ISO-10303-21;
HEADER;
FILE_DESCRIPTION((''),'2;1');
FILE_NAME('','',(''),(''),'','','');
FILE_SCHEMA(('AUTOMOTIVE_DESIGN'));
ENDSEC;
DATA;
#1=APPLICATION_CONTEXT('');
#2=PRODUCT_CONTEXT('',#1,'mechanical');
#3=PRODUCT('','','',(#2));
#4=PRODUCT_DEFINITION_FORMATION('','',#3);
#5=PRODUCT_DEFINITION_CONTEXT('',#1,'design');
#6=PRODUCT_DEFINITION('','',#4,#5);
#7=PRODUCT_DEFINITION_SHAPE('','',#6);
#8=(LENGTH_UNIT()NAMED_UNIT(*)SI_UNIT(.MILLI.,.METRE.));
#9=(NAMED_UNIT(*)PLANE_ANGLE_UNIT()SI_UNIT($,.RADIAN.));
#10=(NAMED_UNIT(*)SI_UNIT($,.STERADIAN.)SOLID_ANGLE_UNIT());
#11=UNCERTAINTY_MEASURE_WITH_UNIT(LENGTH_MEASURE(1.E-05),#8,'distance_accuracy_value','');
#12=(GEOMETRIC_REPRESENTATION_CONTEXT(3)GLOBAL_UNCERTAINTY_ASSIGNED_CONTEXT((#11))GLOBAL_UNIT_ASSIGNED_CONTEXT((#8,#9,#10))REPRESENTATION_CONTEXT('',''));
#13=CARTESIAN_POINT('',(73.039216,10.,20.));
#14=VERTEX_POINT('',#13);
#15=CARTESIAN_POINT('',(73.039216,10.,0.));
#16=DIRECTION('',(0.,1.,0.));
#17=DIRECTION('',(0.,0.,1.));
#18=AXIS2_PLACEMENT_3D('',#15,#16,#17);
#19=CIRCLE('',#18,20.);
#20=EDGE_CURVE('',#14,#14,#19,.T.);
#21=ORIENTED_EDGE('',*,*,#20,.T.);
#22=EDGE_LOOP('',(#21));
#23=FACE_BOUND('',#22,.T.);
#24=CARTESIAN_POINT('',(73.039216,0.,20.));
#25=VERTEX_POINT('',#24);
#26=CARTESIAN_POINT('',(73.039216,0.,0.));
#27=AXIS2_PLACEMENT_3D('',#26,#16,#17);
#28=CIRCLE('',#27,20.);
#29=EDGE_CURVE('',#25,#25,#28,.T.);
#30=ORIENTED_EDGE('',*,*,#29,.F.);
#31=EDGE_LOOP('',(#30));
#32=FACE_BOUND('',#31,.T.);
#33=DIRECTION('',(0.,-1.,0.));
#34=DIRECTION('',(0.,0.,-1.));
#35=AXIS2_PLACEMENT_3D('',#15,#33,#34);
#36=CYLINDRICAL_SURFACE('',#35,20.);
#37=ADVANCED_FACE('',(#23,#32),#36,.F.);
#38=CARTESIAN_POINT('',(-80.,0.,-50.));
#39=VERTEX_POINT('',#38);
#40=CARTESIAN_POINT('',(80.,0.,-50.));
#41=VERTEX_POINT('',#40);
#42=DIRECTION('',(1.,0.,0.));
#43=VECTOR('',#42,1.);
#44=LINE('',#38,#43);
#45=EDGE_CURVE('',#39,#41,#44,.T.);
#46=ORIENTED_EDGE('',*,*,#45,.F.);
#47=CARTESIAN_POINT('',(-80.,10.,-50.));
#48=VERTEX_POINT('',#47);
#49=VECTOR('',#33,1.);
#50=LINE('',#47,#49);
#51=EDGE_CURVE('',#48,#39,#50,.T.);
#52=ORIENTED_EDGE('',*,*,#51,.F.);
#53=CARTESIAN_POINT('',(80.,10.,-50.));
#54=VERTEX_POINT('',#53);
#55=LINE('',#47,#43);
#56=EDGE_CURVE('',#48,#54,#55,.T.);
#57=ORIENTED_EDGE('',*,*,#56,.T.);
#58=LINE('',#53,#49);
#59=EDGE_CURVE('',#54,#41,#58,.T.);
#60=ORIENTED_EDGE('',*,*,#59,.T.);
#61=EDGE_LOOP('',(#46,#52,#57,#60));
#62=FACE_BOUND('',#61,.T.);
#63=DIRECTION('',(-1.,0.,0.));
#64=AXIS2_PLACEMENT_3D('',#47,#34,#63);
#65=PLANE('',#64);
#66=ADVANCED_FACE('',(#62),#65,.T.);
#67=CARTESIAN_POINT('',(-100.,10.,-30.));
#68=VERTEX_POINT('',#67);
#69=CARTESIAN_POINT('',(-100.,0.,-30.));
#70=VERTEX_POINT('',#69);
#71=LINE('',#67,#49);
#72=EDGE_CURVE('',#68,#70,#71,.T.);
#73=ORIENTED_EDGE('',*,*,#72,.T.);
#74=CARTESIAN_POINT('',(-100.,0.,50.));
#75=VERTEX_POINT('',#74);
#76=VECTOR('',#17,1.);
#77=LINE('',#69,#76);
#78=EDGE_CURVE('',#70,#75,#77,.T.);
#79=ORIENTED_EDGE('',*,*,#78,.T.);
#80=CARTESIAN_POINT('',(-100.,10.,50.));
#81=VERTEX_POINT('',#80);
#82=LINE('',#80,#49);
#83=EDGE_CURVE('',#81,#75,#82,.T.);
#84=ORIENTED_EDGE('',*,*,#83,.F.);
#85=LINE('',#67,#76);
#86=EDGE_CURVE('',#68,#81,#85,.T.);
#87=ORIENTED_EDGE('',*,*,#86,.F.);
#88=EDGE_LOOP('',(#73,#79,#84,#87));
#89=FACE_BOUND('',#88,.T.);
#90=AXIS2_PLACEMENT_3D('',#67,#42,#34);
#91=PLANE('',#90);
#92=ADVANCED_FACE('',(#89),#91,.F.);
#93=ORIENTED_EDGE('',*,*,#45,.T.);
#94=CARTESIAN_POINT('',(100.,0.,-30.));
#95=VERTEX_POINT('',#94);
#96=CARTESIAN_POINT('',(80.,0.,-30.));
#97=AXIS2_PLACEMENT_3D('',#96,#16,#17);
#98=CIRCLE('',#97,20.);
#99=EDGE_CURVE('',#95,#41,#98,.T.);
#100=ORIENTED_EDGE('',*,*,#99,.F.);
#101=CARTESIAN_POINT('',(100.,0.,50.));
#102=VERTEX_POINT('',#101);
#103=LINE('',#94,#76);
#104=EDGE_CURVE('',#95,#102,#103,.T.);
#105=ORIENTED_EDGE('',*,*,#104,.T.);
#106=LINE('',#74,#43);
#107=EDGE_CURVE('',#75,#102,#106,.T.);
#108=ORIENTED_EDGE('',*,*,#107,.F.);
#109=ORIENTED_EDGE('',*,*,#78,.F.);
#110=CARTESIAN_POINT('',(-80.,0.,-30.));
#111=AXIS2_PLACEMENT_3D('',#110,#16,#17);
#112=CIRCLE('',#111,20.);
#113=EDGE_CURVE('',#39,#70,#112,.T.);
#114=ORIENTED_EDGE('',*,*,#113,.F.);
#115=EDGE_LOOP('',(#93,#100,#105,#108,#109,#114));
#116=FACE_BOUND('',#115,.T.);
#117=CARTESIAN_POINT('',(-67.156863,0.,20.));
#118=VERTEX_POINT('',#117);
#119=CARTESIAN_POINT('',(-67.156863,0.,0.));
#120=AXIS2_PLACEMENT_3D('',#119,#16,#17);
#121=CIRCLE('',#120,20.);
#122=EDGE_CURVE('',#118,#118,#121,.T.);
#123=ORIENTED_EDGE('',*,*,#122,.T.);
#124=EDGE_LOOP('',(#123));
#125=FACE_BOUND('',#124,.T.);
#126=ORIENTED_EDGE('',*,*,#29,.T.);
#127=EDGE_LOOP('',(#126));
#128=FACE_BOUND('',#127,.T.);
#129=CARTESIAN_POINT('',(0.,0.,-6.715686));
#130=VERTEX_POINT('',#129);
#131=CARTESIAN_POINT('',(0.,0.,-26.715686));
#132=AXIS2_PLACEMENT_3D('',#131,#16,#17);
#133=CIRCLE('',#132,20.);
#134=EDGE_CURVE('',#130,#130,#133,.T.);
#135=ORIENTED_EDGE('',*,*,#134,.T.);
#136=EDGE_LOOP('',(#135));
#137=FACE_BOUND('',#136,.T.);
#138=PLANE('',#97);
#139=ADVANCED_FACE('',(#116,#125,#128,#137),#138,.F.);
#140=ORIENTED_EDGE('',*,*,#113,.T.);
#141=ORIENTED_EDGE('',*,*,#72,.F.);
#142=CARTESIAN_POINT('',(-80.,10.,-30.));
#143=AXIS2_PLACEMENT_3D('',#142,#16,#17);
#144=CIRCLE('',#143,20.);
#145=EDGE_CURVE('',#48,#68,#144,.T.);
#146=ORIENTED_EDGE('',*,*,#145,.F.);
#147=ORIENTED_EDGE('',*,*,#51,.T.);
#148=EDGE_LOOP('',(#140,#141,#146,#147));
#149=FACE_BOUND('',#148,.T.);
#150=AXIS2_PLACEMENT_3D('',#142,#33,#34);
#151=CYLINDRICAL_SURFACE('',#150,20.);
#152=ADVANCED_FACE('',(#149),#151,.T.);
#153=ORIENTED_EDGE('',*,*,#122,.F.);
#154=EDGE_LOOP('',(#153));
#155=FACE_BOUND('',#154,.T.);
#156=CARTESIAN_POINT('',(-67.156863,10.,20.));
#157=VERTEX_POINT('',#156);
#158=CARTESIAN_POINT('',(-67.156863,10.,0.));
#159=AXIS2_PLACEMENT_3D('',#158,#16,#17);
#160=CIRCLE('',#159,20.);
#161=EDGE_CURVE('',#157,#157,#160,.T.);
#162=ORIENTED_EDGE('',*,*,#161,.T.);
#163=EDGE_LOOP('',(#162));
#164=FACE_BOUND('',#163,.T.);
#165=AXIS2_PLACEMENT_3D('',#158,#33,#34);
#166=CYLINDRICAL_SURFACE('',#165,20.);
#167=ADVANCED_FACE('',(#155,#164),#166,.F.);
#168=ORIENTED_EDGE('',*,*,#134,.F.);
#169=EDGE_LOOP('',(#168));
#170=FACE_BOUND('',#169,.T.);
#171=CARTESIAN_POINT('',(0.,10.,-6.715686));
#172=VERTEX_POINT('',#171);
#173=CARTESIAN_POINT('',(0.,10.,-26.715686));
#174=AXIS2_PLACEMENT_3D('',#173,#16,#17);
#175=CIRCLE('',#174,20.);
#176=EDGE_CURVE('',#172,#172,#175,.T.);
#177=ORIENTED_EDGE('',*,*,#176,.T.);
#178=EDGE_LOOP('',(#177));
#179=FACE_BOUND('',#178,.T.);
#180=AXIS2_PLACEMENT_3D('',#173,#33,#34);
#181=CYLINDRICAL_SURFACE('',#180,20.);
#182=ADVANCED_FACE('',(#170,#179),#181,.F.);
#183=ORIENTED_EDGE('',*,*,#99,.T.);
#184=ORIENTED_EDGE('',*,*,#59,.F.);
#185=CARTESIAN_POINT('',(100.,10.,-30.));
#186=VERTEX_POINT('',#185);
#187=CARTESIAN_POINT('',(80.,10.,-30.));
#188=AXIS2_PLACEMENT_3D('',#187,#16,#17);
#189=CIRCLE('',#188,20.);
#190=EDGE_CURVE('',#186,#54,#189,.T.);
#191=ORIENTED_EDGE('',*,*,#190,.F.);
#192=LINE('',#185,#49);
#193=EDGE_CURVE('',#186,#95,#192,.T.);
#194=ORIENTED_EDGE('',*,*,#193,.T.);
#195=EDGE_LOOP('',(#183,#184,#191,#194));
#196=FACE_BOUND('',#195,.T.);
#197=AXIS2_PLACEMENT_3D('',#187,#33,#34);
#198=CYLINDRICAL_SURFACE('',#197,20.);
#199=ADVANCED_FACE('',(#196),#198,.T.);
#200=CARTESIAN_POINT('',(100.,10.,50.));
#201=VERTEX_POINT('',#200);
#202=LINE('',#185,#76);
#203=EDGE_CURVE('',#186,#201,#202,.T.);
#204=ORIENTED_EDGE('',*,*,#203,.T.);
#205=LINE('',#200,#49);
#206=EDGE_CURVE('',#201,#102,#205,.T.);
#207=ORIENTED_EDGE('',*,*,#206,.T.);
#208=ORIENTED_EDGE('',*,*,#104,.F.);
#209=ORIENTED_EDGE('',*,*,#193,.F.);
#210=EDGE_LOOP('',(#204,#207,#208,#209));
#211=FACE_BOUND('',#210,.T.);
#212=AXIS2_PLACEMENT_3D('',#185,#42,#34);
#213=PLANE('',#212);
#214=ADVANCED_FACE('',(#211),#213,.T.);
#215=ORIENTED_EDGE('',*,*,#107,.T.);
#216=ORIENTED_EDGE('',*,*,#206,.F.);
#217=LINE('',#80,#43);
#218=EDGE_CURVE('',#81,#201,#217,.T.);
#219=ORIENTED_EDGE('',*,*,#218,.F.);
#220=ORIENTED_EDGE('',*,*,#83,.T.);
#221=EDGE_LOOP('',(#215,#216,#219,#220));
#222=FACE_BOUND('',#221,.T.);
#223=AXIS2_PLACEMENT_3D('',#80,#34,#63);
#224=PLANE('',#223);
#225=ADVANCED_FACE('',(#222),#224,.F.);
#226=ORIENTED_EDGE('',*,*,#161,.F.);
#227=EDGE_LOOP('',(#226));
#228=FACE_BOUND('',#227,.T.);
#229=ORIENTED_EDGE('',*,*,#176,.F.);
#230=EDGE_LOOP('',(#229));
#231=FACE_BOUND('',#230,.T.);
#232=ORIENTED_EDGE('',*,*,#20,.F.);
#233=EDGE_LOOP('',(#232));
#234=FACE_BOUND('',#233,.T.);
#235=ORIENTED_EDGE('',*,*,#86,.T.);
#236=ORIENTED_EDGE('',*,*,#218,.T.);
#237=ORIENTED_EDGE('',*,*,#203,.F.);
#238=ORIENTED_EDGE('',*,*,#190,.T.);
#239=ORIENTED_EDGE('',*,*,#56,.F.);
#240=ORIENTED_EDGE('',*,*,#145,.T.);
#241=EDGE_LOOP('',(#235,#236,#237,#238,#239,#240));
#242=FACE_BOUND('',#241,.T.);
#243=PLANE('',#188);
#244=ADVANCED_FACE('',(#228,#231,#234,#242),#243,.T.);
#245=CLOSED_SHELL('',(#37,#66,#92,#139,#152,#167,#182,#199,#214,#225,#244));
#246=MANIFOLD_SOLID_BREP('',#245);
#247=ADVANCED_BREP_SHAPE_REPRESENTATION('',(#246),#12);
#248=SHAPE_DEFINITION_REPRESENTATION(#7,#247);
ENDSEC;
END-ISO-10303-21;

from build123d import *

# Parameters (mm, degrees)
SKETCH1_R           = 20
BOSS_EXTRUDE3_DEPTH = 10


with BuildPart() as part:
    # Sketch1 → Boss-Extrude3 (new body)
    with BuildSketch(Plane(origin=(0, 0, 0), x_dir=(1, 0, 0), z_dir=(0, 1, 0))):
        with BuildLine():
            Line((-80, 50), (80, 50))
            ThreePointArc((80, 50), (94.142135624, 44.142135624), (100, 30))
            Line((100, 30), (100, -50))
            Line((100, -50), (-100, -50))
            Line((-100, -50), (-100, 30))
            ThreePointArc((-100, 30), (-94.142135624, 44.142135624), (-80, 50))
        make_face()
        with Locations(Location((0, 26.715686275, 0), (0, 0, 270))):
            Circle(SKETCH1_R, mode=Mode.SUBTRACT)
        with Locations(Location((73.039215686, 0, 0), (0, 0, 270))):
            Circle(SKETCH1_R, mode=Mode.SUBTRACT)
        with Locations(Location((-67.156862745, 0, 0), (0, 0, 270))):
            Circle(SKETCH1_R, mode=Mode.SUBTRACT)
    extrude(amount=BOSS_EXTRUDE3_DEPTH)


solid = part.part
